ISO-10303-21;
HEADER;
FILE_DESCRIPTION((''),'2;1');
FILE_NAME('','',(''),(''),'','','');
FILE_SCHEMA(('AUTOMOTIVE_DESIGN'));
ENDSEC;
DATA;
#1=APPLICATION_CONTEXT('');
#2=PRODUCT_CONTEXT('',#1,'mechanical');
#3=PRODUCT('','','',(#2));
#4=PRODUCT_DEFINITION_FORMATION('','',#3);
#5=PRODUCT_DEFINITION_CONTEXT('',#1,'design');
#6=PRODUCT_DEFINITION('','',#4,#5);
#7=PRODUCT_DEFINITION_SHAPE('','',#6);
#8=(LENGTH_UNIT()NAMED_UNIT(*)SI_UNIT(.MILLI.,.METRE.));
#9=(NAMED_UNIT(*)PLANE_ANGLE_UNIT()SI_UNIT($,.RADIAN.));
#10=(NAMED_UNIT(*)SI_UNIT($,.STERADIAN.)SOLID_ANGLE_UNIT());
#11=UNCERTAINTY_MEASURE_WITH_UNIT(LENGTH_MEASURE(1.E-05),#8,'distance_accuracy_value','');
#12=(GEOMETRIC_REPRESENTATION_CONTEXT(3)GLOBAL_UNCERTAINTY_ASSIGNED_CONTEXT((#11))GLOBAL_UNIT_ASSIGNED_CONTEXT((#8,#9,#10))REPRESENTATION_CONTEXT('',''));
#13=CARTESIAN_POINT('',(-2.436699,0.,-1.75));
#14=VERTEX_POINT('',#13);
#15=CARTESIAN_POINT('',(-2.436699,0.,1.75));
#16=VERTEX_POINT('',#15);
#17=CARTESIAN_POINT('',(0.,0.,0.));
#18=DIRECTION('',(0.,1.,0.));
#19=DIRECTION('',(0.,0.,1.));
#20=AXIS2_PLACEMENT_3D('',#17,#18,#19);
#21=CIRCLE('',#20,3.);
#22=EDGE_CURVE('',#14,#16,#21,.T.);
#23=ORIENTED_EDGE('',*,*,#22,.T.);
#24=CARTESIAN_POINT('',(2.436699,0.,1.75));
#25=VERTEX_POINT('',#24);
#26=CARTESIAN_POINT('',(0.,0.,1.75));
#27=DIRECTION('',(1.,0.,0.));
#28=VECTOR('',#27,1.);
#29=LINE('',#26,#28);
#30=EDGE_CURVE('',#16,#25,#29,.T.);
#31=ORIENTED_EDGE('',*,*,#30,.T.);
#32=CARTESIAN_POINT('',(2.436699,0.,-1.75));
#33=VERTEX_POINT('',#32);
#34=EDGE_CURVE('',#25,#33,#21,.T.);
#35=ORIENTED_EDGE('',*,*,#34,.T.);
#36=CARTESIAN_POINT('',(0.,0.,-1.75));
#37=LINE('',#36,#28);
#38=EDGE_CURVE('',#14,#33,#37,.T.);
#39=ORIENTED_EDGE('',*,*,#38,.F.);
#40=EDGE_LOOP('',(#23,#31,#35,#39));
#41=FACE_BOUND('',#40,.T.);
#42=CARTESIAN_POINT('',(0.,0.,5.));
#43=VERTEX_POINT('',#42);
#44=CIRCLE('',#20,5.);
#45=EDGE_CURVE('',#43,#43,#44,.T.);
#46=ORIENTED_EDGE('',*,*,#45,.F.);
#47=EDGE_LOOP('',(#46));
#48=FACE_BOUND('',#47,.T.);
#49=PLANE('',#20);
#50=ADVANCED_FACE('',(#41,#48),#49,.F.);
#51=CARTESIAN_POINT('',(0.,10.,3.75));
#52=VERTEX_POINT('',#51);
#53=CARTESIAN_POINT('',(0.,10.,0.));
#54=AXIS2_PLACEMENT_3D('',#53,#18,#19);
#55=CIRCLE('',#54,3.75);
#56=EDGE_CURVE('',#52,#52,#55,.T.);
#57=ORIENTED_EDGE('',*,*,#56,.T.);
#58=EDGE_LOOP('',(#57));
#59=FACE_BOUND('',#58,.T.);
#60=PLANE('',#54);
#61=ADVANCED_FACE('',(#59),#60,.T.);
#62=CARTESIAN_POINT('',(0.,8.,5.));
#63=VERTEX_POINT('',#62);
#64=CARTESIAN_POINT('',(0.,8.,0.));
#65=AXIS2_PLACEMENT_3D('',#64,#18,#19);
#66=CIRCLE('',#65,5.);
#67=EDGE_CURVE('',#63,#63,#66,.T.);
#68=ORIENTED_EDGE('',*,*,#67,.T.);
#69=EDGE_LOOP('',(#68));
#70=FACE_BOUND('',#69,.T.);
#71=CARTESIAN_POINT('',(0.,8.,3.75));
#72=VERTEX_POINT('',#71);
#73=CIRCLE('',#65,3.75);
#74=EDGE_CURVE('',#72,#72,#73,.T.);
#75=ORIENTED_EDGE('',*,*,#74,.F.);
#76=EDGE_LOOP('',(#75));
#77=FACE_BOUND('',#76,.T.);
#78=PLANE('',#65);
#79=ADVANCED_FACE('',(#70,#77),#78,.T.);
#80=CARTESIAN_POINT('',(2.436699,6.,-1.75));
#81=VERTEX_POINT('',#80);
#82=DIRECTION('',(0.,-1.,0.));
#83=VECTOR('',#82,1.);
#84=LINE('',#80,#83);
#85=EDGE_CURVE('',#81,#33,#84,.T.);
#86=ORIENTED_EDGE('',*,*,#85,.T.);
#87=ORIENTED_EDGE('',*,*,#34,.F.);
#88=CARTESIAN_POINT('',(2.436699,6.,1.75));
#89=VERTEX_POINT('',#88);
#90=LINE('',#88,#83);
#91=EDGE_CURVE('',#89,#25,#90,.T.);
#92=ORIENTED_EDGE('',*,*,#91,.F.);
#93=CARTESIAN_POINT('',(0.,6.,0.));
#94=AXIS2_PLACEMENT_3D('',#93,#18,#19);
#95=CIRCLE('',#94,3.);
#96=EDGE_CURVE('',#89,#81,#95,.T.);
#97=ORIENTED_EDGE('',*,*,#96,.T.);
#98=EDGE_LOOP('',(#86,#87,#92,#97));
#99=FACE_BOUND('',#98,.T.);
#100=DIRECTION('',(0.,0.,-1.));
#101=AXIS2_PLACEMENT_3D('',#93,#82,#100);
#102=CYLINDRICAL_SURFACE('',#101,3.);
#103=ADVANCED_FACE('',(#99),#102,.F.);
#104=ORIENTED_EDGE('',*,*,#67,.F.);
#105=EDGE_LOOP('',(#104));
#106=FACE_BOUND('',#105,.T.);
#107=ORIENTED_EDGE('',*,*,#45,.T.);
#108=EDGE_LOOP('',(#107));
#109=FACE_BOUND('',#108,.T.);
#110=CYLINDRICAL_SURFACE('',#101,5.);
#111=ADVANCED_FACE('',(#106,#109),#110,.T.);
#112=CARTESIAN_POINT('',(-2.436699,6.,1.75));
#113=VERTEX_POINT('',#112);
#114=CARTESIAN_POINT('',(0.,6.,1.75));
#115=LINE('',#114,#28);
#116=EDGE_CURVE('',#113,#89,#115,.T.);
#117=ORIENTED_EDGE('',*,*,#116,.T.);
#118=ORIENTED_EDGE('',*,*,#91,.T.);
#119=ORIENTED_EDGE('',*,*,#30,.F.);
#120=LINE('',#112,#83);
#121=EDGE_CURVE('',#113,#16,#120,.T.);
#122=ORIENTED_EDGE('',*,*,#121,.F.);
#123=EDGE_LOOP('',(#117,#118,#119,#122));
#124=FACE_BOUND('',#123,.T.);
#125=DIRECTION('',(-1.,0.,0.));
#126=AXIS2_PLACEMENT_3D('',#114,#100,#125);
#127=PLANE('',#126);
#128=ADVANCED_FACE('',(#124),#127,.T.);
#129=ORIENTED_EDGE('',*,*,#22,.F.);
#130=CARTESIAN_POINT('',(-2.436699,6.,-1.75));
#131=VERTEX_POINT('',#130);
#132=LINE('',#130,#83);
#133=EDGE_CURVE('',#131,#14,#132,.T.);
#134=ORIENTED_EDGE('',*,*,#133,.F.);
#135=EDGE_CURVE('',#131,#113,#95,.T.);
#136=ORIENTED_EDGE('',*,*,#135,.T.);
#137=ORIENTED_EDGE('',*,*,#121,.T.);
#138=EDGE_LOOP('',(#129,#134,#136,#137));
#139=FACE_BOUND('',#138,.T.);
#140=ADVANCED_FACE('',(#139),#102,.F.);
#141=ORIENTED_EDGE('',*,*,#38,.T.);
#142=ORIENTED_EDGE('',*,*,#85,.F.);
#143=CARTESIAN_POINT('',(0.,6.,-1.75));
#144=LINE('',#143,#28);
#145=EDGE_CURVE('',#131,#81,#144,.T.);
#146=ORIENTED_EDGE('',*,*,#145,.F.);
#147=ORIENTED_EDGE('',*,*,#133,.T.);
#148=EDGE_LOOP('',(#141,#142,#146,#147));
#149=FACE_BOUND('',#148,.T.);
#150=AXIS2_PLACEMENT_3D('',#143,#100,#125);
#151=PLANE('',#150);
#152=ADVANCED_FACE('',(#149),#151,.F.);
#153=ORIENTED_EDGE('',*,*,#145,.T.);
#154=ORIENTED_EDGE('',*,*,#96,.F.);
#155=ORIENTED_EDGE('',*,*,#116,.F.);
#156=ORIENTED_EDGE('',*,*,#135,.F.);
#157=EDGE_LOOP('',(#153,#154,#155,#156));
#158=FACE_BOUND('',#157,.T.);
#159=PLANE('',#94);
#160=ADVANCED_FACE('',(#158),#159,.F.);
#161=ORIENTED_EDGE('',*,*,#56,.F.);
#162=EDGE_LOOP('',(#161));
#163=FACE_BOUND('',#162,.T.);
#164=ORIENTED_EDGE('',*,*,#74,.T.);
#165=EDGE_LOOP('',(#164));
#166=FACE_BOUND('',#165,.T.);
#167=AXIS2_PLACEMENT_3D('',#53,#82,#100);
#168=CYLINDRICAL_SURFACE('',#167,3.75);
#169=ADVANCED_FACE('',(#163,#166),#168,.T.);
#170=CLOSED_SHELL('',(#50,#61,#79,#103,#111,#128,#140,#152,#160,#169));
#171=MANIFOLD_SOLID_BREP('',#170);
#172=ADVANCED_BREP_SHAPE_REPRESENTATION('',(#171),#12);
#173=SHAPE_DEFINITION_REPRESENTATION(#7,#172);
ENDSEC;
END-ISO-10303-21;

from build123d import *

# Parameters (mm, degrees)
SKETCH1_R           = 5
SKETCH1_R_2         = 3
BOSS_EXTRUDE1_DEPTH = 6
SKETCH5_R           = 5
BOSS_EXTRUDE5_DEPTH = 2
SKETCH7_R           = 3.75
BOSS_EXTRUDE6_DEPTH = 2


with BuildPart() as part:
    # Sketch1 → Boss-Extrude1 (new body)
    # profile 1 of 3: a face of its own
    with BuildSketch(Plane(origin=(0, 0, 0), x_dir=(1, 0, 0), z_dir=(0, 1, 0))):
        with Locations(Location((0, 0, 0), (0, 0, 270))):
            Circle(SKETCH1_R)
        Circle(SKETCH1_R_2, mode=Mode.SUBTRACT)
    # profile 2 of 3: a face of its own
    with BuildSketch(Plane(origin=(0, 0, 0), x_dir=(1, 0, 0), z_dir=(0, 1, 0))):
        with BuildLine():
            Line((2.436698586, -1.75), (-2.436698586, -1.75))
            ThreePointArc((-2.436698586, -1.75), (0, -3), (2.436698586, -1.75))
        make_face()
    # profile 3 of 3: a face of its own
    with BuildSketch(Plane(origin=(0, 0, 0), x_dir=(1, 0, 0), z_dir=(0, 1, 0))):
        with BuildLine():
            ThreePointArc((2.436698586, 1.75), (0, 3), (-2.436698586, 1.75))
            Line((-2.436698586, 1.75), (2.436698586, 1.75))
        make_face()
    extrude(amount=BOSS_EXTRUDE1_DEPTH)

    # Sketch5 → Boss-Extrude5 (add)
    with BuildSketch(Plane(origin=(0, 6, 0), x_dir=(1, 0, 0), z_dir=(0, 1, 0))):
        with Locations(Location((0, 0, 0), (0, 0, 270))):
            Circle(SKETCH5_R)
    extrude(amount=BOSS_EXTRUDE5_DEPTH)

    # Sketch7 → Boss-Extrude6 (add)
    with BuildSketch(Plane(origin=(0, 8, 0), x_dir=(1, 0, 0), z_dir=(0, 1, 0))):
        with Locations(Location((0, 0, 0), (0, 0, 270))):
            Circle(SKETCH7_R)
    extrude(amount=BOSS_EXTRUDE6_DEPTH)


solid = part.part
